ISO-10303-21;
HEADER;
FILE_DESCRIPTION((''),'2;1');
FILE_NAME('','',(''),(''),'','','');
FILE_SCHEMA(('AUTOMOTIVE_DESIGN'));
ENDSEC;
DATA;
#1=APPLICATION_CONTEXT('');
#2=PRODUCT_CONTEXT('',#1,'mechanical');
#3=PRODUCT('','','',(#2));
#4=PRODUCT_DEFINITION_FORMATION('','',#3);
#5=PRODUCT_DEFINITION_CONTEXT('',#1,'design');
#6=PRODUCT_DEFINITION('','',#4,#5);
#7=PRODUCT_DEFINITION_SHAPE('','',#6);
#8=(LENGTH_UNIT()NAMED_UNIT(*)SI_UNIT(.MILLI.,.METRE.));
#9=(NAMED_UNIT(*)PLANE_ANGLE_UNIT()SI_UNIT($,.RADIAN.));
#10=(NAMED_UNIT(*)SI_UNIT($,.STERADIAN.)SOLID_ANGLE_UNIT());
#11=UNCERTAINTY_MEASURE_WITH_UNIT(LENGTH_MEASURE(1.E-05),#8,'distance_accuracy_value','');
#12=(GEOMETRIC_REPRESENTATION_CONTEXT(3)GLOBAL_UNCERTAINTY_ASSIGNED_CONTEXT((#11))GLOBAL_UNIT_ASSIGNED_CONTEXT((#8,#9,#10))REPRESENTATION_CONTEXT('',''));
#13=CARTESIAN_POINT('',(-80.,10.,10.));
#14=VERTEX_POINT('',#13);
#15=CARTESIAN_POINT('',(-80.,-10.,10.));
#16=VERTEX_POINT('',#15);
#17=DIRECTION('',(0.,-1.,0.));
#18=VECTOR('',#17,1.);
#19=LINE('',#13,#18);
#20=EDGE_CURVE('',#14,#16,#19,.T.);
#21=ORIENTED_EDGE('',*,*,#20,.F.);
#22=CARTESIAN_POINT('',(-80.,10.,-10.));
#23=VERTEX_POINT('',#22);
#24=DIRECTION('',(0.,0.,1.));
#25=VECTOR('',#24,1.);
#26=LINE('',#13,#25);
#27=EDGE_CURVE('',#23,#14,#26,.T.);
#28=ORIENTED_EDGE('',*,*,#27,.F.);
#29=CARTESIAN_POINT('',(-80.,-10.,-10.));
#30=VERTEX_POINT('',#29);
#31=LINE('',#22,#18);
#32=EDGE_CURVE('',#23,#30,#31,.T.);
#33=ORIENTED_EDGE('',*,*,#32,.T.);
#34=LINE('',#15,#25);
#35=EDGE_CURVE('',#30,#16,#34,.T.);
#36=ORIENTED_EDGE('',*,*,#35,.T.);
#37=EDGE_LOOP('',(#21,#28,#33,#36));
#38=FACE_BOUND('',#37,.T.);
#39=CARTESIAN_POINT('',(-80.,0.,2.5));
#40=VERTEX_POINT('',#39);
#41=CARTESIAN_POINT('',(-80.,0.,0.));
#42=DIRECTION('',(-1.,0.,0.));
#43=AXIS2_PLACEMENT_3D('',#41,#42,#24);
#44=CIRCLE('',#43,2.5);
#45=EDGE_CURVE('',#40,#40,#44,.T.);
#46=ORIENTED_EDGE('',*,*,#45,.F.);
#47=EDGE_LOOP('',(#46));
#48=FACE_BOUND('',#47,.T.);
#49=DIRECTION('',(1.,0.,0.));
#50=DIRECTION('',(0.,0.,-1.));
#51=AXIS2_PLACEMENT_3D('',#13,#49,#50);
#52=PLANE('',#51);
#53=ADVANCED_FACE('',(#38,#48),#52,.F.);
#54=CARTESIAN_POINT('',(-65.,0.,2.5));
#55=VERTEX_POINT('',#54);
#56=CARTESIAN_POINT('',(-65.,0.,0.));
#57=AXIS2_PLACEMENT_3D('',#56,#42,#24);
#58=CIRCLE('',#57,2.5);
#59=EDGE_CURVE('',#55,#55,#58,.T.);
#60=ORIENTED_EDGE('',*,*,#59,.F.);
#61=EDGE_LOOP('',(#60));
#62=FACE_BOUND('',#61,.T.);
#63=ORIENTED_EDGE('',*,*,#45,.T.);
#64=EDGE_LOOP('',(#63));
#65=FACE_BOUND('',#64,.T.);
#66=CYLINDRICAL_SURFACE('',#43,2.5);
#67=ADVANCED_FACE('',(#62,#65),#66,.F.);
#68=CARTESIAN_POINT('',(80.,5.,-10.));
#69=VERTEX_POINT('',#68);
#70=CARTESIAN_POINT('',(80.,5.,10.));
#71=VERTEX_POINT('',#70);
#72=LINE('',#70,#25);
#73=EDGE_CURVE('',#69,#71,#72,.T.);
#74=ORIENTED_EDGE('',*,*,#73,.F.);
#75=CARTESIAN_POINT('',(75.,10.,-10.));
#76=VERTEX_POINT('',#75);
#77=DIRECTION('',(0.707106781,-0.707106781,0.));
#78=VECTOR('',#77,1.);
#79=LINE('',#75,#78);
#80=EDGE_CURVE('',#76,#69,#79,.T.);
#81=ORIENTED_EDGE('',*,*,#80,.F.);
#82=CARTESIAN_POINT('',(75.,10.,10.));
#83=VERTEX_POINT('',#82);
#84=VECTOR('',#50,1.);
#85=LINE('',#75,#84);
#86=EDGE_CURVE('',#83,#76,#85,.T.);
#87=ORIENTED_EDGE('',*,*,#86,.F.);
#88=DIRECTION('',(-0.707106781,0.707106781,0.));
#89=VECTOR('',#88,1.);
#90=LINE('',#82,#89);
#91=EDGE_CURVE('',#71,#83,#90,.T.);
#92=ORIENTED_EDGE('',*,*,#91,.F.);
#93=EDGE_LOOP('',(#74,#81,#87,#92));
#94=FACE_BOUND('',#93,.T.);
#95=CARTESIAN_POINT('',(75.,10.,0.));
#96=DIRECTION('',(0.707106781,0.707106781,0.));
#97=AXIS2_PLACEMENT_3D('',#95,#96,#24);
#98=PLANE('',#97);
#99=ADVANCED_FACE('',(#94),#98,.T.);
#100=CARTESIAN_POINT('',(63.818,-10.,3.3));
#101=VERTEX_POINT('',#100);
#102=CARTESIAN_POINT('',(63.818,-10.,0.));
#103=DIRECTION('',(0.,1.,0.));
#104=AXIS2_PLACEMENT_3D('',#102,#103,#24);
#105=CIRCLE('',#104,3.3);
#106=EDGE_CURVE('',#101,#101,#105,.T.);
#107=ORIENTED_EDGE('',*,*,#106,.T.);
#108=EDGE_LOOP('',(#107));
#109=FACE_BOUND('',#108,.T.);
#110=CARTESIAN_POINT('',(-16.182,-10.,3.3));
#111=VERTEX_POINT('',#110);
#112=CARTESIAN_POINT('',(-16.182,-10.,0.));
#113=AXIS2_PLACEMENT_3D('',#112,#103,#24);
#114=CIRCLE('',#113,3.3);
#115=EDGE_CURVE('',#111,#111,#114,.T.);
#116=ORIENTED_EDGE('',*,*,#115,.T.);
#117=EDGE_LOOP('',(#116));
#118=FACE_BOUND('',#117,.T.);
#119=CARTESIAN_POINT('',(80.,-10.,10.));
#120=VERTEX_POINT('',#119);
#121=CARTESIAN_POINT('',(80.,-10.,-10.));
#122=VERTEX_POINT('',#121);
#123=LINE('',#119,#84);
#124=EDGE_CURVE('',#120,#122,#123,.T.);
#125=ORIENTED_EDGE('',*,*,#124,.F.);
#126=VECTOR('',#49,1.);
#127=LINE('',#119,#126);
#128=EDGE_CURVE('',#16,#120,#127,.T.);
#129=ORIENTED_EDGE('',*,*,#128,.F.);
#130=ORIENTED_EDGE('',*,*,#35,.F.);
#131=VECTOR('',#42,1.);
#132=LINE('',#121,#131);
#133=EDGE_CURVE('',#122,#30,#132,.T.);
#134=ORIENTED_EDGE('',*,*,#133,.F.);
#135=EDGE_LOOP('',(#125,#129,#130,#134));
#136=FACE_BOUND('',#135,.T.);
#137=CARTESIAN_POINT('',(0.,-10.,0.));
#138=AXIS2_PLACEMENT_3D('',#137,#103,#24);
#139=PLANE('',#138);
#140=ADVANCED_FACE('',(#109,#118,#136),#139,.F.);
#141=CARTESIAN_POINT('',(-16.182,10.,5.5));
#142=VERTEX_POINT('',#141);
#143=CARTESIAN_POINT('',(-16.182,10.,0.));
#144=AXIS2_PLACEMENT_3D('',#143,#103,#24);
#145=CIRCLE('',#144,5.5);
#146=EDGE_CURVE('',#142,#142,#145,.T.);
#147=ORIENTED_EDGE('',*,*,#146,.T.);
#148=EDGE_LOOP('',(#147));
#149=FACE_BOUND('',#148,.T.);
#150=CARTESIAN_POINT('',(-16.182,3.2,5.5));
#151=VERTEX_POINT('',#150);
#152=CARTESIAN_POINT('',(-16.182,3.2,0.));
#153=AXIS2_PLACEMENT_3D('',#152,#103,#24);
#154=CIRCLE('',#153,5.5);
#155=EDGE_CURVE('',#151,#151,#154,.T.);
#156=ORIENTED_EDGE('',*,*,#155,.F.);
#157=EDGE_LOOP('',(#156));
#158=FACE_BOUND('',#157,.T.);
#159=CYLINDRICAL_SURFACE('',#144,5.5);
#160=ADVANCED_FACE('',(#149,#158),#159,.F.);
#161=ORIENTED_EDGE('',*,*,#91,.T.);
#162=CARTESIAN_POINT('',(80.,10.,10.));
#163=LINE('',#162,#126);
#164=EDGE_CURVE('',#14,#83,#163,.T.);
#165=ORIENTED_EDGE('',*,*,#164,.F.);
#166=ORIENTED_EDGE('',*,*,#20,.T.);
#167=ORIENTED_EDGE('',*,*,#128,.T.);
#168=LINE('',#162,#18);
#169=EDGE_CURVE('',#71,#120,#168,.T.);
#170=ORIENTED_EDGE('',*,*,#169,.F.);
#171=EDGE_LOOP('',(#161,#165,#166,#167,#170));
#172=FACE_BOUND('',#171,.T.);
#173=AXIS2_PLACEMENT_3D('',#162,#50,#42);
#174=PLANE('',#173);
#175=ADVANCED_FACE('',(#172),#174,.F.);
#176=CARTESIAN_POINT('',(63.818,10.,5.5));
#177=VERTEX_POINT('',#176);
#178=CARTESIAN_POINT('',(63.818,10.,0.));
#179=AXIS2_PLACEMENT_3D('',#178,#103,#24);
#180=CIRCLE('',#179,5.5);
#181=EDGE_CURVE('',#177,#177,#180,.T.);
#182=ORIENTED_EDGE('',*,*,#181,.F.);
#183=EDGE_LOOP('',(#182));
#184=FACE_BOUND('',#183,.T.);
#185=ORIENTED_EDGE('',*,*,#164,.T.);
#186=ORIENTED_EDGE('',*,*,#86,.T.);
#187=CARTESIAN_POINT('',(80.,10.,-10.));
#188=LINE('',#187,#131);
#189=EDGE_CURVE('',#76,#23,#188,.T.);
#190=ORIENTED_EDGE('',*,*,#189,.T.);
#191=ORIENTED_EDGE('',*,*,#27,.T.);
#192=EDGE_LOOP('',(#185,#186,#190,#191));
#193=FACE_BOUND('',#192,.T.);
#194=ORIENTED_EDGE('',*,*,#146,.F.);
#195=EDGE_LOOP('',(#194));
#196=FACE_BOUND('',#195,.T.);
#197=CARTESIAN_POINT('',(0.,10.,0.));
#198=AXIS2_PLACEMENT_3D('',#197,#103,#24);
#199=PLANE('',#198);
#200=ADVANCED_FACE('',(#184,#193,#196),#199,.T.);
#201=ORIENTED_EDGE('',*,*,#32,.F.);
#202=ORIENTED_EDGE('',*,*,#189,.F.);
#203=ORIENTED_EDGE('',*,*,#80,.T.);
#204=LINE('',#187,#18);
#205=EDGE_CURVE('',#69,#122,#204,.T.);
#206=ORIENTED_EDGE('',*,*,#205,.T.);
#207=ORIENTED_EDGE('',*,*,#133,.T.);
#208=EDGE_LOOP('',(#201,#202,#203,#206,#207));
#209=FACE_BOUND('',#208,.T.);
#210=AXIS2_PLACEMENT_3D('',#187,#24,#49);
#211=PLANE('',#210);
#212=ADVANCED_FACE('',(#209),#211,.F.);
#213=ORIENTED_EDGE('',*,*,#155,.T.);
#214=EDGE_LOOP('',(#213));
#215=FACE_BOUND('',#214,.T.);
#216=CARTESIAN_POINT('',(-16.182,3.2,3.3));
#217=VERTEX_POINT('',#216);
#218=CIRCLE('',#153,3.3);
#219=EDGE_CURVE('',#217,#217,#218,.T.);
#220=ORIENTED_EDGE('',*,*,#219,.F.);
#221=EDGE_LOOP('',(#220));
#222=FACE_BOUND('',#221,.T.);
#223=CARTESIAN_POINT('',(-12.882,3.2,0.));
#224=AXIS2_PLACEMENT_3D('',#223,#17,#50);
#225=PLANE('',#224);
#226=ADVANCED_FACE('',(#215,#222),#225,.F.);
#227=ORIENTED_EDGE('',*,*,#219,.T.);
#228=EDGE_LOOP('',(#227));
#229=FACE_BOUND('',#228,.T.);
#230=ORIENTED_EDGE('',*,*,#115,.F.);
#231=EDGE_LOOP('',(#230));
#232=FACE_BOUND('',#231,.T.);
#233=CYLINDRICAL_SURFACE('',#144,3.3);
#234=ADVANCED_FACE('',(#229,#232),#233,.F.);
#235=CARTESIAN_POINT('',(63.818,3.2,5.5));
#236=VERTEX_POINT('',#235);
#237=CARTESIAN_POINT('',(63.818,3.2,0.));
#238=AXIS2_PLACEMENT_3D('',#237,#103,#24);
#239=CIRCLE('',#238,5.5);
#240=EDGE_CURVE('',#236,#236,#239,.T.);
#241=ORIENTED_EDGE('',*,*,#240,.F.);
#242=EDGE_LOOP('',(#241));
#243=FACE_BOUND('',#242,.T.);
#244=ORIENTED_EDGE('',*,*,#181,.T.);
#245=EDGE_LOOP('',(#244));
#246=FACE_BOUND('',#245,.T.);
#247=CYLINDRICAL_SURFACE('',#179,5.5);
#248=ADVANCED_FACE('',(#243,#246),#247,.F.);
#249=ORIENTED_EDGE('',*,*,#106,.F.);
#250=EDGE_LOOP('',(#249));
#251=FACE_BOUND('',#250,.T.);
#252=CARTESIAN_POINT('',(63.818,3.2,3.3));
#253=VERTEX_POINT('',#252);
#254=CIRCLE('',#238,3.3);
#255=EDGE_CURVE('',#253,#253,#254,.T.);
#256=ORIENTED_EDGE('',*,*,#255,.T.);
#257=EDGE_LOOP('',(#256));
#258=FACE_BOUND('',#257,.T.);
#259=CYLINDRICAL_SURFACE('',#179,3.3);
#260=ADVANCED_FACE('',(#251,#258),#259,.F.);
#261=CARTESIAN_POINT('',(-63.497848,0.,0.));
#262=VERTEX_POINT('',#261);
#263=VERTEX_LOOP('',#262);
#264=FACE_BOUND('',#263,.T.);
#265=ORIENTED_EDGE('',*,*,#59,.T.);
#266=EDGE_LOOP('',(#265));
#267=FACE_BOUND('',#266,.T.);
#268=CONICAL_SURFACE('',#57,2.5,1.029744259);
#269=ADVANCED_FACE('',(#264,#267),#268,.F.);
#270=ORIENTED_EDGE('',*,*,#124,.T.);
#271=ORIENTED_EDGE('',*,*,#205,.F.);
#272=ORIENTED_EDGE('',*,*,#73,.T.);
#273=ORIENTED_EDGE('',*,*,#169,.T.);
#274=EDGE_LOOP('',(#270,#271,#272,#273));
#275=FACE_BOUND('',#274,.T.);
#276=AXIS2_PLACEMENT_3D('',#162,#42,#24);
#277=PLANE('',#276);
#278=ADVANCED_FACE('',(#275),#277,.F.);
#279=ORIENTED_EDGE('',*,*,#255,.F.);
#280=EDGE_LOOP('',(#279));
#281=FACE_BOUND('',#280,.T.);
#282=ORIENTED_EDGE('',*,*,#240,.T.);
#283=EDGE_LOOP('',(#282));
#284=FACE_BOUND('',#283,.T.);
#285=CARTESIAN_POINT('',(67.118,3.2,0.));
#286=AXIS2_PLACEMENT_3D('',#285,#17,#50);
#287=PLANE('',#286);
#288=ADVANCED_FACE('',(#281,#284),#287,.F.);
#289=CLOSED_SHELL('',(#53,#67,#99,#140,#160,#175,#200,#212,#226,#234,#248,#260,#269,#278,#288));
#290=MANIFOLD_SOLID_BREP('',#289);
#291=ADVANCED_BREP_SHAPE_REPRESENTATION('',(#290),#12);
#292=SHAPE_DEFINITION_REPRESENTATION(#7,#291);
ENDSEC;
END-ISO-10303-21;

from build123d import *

# Parameters (mm, degrees)
SKETCH1_W                                            = 160
SKETCH1_H                                            = 20
BOSS_EXTRUDE1_DEPTH                                  = 10
CBORE_FOR_M6_SLOTTED_CHEESE_HEAD_SCREWS2_D           = 6.6
CBORE_FOR_M6_SLOTTED_CHEESE_HEAD_SCREWS2_CBORE_D     = 11
CBORE_FOR_M6_SLOTTED_CHEESE_HEAD_SCREWS2_CBORE_DEPTH = 6.8
M6_TAPPED_HOLE1_D                                    = 5
M6_TAPPED_HOLE1_DEPTH                                = 15
M6_TAPPED_HOLE1_TIP                                  = 1.502151548
CHAMFER1_SIZE                                        = 5


with BuildPart() as part:
    # Sketch1 → Boss-Extrude1 (new, symmetric)
    with BuildSketch(Plane(origin=(0, 0, 0), x_dir=(1, 0, 0), z_dir=(0, 1, 0))):
        Rectangle(SKETCH1_W, SKETCH1_H)
    extrude(amount=BOSS_EXTRUDE1_DEPTH, both=True)

    # CBORE for M6 Slotted cheese head screws2 (through all)
    with Locations(Plane(origin=(0, 10, 0), x_dir=(1, 0, 0), z_dir=(0, 1, 0))):
        with Locations((-16.182, 0), (63.818, 0)):
            CounterBoreHole(CBORE_FOR_M6_SLOTTED_CHEESE_HEAD_SCREWS2_D / 2, CBORE_FOR_M6_SLOTTED_CHEESE_HEAD_SCREWS2_CBORE_D / 2, CBORE_FOR_M6_SLOTTED_CHEESE_HEAD_SCREWS2_CBORE_DEPTH)

    # M6 Tapped Hole1
    with Locations(Plane.ZY.offset(80)):
        with Locations((0, 0)):
            Hole(M6_TAPPED_HOLE1_D / 2, depth=M6_TAPPED_HOLE1_DEPTH)
            with Locations((0, 0, -(M6_TAPPED_HOLE1_DEPTH + M6_TAPPED_HOLE1_TIP / 2))):  # 118° drill point
                Cone(0, M6_TAPPED_HOLE1_D / 2, M6_TAPPED_HOLE1_TIP, mode=Mode.SUBTRACT)

    # Chamfer1
    chamfer1_edges = [part.edges().sort_by_distance(p)[0] for p in [
        (80, 10, 0),
    ]]
    chamfer(chamfer1_edges, length=CHAMFER1_SIZE)


solid = part.part
